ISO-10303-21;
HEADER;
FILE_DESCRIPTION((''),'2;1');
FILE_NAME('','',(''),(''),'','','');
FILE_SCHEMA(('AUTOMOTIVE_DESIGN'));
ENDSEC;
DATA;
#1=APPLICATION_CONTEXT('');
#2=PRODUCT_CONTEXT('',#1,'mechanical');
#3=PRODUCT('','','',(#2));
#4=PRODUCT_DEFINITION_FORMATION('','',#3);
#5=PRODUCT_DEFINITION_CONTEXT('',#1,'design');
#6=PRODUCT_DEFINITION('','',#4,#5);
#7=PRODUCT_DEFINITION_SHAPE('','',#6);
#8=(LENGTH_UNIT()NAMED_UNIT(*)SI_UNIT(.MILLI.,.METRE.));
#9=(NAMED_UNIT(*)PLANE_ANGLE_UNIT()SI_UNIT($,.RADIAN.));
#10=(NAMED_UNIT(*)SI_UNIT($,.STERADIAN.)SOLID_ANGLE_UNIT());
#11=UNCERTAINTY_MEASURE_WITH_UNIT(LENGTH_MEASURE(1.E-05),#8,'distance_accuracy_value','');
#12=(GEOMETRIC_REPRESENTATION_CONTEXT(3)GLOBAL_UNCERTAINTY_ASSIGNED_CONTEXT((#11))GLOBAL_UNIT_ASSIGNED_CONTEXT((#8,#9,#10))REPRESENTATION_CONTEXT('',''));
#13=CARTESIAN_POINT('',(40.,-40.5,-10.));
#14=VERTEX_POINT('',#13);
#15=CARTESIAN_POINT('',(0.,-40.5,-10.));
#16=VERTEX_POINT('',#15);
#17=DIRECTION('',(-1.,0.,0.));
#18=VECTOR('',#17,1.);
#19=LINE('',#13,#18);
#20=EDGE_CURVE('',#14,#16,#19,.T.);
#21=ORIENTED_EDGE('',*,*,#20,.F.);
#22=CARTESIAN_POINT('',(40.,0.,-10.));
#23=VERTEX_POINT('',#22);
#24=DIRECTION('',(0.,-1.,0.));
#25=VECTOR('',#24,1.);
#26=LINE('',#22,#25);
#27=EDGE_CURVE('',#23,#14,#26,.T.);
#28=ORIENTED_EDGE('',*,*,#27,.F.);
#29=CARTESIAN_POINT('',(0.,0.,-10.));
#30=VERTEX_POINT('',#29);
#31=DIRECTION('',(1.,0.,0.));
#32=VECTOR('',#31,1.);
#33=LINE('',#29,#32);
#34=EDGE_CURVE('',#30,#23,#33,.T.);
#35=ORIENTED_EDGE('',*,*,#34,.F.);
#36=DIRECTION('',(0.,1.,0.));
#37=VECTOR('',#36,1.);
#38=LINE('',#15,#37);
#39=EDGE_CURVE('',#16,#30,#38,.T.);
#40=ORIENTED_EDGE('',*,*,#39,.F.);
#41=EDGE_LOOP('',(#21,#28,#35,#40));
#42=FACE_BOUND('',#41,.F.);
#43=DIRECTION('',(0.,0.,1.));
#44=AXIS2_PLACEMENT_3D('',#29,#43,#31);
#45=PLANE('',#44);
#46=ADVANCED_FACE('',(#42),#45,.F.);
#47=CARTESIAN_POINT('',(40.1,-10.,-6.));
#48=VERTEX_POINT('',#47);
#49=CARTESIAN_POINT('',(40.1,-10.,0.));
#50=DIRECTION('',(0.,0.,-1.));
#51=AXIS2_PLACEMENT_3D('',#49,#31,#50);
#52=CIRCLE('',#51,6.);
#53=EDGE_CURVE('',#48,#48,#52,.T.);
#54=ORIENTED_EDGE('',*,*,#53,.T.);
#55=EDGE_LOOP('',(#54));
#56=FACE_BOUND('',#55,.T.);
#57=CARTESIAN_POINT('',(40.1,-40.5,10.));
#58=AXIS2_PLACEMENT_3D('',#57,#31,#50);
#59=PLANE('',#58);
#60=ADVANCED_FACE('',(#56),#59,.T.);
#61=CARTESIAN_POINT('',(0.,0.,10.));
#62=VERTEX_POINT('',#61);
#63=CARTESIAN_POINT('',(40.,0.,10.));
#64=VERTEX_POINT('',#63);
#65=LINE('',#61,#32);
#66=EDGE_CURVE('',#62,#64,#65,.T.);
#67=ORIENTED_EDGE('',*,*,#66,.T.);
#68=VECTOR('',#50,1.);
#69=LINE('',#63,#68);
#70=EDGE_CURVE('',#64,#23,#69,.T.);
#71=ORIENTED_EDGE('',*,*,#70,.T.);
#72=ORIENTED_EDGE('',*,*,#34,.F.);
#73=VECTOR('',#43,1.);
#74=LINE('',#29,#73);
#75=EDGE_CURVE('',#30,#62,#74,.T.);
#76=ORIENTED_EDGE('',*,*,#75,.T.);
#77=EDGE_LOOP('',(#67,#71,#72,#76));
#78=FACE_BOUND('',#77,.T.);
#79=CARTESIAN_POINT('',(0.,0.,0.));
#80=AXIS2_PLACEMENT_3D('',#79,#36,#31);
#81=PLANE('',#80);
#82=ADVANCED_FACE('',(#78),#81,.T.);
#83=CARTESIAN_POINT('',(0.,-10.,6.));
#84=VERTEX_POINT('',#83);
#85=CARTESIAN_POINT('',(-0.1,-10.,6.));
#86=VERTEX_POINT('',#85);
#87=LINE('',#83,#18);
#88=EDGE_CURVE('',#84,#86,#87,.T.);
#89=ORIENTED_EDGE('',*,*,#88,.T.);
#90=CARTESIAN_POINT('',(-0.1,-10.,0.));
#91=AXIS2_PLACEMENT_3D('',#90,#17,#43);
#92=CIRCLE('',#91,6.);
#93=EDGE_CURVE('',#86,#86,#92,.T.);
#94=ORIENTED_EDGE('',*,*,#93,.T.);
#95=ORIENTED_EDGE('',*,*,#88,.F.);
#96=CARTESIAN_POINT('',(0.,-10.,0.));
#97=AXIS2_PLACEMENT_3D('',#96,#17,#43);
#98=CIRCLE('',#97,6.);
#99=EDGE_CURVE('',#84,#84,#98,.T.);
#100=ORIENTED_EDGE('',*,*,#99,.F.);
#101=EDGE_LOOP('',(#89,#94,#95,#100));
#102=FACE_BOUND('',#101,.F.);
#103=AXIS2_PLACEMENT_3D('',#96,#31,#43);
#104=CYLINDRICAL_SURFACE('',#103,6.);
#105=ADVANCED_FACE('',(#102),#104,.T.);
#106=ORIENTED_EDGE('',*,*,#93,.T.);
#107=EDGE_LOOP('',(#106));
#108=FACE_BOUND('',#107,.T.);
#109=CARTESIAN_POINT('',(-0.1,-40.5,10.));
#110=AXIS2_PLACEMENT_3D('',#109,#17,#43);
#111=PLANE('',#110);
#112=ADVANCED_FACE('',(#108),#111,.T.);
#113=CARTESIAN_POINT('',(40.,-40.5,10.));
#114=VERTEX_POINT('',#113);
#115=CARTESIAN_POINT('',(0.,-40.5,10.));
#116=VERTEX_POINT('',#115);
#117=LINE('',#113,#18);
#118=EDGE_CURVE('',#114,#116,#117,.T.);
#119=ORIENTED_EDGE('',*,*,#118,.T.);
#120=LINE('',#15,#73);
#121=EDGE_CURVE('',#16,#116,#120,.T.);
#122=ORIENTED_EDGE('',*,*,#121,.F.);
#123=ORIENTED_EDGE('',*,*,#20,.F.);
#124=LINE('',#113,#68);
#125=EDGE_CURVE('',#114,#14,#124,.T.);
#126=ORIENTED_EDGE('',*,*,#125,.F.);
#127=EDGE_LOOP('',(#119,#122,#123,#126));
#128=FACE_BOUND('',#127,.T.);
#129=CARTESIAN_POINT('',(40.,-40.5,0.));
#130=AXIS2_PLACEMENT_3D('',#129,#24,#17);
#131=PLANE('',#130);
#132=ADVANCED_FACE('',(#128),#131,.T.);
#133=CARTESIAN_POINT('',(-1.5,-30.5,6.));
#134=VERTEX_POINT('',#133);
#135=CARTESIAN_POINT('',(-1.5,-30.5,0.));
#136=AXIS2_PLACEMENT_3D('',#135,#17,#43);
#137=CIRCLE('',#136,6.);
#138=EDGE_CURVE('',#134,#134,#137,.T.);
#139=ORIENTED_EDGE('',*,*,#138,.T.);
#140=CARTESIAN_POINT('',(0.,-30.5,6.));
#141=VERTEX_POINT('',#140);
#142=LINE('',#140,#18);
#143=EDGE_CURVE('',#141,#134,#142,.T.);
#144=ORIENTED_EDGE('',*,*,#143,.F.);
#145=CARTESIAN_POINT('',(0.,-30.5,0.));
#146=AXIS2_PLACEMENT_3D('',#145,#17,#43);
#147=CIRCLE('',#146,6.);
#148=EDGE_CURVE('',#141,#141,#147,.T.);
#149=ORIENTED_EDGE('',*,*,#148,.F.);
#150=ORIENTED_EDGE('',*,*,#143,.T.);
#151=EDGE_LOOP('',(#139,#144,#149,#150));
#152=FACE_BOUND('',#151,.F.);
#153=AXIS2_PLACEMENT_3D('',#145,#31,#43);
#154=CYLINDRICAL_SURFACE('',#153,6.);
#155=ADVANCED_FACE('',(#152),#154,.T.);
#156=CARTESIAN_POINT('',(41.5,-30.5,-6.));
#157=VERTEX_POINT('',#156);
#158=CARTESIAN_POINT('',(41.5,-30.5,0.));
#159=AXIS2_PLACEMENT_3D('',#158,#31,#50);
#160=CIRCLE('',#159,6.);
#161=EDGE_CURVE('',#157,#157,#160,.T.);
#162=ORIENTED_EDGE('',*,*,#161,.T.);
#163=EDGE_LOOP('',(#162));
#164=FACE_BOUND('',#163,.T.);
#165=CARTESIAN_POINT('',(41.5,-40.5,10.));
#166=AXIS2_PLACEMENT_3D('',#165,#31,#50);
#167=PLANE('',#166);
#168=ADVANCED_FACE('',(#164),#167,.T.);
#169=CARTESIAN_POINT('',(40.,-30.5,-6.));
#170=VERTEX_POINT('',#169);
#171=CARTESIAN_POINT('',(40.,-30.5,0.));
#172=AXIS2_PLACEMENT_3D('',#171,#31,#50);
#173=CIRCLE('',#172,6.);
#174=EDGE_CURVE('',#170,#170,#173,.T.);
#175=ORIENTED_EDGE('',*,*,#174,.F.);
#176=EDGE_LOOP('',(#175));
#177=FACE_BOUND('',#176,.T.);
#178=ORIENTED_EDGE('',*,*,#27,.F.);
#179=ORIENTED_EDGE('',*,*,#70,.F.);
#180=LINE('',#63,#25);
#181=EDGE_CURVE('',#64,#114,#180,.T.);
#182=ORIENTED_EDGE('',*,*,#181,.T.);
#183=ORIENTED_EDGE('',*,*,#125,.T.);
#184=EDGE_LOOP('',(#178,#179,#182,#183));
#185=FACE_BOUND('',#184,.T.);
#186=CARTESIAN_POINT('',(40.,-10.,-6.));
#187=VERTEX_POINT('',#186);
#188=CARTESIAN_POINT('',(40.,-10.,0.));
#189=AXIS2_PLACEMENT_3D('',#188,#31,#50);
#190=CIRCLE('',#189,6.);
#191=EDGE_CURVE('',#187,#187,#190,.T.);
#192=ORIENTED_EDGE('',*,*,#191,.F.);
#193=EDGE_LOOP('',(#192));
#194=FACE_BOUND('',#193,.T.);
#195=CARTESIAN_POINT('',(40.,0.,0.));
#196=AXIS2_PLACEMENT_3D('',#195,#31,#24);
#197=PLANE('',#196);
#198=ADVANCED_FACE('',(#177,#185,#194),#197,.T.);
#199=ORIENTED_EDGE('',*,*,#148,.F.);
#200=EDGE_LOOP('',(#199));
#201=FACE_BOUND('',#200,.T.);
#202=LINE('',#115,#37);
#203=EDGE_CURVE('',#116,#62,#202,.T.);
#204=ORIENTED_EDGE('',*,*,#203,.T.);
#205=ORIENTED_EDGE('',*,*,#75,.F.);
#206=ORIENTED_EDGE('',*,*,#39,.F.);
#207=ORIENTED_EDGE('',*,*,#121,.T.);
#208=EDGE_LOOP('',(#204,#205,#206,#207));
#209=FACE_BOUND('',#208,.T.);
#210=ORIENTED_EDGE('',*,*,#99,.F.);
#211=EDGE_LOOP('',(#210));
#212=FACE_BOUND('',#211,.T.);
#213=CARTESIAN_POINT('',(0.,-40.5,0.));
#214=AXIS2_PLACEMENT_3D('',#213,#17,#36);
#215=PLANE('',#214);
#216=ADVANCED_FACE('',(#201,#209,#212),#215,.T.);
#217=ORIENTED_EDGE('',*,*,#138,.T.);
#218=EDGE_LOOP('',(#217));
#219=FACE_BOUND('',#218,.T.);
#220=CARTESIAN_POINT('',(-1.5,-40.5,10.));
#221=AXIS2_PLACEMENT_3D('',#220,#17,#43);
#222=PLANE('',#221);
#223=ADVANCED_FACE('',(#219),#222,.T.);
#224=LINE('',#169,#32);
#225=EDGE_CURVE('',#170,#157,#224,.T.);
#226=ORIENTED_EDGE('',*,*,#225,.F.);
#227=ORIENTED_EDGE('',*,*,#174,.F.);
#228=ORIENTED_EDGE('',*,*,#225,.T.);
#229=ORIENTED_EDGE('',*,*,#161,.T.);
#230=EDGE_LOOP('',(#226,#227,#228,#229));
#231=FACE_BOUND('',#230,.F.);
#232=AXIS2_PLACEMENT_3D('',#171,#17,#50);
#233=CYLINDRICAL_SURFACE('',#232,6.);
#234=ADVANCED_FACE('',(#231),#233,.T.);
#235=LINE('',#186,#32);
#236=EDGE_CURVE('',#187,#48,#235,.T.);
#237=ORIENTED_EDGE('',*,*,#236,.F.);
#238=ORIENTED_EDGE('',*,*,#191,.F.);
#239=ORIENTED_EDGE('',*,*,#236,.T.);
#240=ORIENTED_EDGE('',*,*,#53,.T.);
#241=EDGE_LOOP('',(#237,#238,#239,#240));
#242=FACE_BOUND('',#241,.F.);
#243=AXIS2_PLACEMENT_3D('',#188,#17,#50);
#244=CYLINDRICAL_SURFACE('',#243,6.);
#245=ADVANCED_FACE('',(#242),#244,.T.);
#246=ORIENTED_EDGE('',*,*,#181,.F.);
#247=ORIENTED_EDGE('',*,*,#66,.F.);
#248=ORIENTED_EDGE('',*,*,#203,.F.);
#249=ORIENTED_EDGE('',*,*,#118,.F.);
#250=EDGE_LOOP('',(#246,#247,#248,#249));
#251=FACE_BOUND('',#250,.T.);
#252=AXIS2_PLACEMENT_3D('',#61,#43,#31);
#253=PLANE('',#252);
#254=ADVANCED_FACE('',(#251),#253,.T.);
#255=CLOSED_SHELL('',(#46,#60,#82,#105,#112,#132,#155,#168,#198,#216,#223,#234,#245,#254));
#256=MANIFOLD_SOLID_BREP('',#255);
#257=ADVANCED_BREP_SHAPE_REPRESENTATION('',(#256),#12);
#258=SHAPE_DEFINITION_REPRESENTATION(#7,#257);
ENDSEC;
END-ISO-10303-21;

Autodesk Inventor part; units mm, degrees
ref_plane "YZ Plane" through (0, 0, 0) normal (1, 0, 0) x (0, 1, 0)
ref_plane "XZ Plane" through (0, 0, 0) normal (0, 1, 0) x (-1, 0, 0)
ref_plane "XY Plane" through (0, 0, 0) normal (0, 0, 1) x (1, 0, 0)
sketch "Sketch1" plane through (0, 0, 0) normal (0, 0, 1) x (1, 0, 0)
  line L0 (0, 0) -> (40, 0)
  line L1 (40, 0) -> (40, -40.5)
  line L2 (40, -40.5) -> (0, -40.5)
  line L3 (0, -40.5) -> (0, 0)
  dimension "d0" = 40
  dimension "d1" = 40.5
extrude "Extrusion1" add sketch "Sketch1" along normal mid plane 20
sketch "Sketch2" plane through (0, -40.5, 10) normal (-1, 0, 0) x (0, 0, 1)
  line L0 (0, 0) -> (-20, 0) projected
  line L1 (-20, 0) -> (-20, 40.5) projected
  line L2 (0, 40.5) -> (0, 0) projected
  circle A0 centre (-10, 10) radius 6
  line L3 (-20, 20.25) -> (0, 20.25)
  circle A1 centre (-10, 30.5) radius 6
  point P0 (-10, 40.5)
  dimension "d4" = 12
  dimension "d5" = 10
  dimension "d6" = 10
extrude "Extrusion2" add sketch "Sketch2" along normal blind 1.5 contours A0
sketch "Sketch3" plane through (40, -40.5, 10) normal (1, 0, 0) x (0, 0, -1)
  circle A0 centre (10, 10) radius 6 projected
  circle A1 centre (10, 10) radius 6
  line L0 (0, 40.5) -> (0, 0) projected
  line L1 (0, 20.25) -> (20, 20.25)
  line L2 (20, 0) -> (20, 40.5) projected
  circle A2 centre (10, 30.5) radius 6
  point P0 (10, 40.5)
extrude "Extrusion4" add sketch "Sketch3" along normal blind 1.5 contours A0
extrude "Extrusion5" add sketch "Sketch2" along normal blind 0.1 contours A1
extrude "Extrusion6" add sketch "Sketch3" along normal blind 0.1 contours A2
properties part number "Motor"
